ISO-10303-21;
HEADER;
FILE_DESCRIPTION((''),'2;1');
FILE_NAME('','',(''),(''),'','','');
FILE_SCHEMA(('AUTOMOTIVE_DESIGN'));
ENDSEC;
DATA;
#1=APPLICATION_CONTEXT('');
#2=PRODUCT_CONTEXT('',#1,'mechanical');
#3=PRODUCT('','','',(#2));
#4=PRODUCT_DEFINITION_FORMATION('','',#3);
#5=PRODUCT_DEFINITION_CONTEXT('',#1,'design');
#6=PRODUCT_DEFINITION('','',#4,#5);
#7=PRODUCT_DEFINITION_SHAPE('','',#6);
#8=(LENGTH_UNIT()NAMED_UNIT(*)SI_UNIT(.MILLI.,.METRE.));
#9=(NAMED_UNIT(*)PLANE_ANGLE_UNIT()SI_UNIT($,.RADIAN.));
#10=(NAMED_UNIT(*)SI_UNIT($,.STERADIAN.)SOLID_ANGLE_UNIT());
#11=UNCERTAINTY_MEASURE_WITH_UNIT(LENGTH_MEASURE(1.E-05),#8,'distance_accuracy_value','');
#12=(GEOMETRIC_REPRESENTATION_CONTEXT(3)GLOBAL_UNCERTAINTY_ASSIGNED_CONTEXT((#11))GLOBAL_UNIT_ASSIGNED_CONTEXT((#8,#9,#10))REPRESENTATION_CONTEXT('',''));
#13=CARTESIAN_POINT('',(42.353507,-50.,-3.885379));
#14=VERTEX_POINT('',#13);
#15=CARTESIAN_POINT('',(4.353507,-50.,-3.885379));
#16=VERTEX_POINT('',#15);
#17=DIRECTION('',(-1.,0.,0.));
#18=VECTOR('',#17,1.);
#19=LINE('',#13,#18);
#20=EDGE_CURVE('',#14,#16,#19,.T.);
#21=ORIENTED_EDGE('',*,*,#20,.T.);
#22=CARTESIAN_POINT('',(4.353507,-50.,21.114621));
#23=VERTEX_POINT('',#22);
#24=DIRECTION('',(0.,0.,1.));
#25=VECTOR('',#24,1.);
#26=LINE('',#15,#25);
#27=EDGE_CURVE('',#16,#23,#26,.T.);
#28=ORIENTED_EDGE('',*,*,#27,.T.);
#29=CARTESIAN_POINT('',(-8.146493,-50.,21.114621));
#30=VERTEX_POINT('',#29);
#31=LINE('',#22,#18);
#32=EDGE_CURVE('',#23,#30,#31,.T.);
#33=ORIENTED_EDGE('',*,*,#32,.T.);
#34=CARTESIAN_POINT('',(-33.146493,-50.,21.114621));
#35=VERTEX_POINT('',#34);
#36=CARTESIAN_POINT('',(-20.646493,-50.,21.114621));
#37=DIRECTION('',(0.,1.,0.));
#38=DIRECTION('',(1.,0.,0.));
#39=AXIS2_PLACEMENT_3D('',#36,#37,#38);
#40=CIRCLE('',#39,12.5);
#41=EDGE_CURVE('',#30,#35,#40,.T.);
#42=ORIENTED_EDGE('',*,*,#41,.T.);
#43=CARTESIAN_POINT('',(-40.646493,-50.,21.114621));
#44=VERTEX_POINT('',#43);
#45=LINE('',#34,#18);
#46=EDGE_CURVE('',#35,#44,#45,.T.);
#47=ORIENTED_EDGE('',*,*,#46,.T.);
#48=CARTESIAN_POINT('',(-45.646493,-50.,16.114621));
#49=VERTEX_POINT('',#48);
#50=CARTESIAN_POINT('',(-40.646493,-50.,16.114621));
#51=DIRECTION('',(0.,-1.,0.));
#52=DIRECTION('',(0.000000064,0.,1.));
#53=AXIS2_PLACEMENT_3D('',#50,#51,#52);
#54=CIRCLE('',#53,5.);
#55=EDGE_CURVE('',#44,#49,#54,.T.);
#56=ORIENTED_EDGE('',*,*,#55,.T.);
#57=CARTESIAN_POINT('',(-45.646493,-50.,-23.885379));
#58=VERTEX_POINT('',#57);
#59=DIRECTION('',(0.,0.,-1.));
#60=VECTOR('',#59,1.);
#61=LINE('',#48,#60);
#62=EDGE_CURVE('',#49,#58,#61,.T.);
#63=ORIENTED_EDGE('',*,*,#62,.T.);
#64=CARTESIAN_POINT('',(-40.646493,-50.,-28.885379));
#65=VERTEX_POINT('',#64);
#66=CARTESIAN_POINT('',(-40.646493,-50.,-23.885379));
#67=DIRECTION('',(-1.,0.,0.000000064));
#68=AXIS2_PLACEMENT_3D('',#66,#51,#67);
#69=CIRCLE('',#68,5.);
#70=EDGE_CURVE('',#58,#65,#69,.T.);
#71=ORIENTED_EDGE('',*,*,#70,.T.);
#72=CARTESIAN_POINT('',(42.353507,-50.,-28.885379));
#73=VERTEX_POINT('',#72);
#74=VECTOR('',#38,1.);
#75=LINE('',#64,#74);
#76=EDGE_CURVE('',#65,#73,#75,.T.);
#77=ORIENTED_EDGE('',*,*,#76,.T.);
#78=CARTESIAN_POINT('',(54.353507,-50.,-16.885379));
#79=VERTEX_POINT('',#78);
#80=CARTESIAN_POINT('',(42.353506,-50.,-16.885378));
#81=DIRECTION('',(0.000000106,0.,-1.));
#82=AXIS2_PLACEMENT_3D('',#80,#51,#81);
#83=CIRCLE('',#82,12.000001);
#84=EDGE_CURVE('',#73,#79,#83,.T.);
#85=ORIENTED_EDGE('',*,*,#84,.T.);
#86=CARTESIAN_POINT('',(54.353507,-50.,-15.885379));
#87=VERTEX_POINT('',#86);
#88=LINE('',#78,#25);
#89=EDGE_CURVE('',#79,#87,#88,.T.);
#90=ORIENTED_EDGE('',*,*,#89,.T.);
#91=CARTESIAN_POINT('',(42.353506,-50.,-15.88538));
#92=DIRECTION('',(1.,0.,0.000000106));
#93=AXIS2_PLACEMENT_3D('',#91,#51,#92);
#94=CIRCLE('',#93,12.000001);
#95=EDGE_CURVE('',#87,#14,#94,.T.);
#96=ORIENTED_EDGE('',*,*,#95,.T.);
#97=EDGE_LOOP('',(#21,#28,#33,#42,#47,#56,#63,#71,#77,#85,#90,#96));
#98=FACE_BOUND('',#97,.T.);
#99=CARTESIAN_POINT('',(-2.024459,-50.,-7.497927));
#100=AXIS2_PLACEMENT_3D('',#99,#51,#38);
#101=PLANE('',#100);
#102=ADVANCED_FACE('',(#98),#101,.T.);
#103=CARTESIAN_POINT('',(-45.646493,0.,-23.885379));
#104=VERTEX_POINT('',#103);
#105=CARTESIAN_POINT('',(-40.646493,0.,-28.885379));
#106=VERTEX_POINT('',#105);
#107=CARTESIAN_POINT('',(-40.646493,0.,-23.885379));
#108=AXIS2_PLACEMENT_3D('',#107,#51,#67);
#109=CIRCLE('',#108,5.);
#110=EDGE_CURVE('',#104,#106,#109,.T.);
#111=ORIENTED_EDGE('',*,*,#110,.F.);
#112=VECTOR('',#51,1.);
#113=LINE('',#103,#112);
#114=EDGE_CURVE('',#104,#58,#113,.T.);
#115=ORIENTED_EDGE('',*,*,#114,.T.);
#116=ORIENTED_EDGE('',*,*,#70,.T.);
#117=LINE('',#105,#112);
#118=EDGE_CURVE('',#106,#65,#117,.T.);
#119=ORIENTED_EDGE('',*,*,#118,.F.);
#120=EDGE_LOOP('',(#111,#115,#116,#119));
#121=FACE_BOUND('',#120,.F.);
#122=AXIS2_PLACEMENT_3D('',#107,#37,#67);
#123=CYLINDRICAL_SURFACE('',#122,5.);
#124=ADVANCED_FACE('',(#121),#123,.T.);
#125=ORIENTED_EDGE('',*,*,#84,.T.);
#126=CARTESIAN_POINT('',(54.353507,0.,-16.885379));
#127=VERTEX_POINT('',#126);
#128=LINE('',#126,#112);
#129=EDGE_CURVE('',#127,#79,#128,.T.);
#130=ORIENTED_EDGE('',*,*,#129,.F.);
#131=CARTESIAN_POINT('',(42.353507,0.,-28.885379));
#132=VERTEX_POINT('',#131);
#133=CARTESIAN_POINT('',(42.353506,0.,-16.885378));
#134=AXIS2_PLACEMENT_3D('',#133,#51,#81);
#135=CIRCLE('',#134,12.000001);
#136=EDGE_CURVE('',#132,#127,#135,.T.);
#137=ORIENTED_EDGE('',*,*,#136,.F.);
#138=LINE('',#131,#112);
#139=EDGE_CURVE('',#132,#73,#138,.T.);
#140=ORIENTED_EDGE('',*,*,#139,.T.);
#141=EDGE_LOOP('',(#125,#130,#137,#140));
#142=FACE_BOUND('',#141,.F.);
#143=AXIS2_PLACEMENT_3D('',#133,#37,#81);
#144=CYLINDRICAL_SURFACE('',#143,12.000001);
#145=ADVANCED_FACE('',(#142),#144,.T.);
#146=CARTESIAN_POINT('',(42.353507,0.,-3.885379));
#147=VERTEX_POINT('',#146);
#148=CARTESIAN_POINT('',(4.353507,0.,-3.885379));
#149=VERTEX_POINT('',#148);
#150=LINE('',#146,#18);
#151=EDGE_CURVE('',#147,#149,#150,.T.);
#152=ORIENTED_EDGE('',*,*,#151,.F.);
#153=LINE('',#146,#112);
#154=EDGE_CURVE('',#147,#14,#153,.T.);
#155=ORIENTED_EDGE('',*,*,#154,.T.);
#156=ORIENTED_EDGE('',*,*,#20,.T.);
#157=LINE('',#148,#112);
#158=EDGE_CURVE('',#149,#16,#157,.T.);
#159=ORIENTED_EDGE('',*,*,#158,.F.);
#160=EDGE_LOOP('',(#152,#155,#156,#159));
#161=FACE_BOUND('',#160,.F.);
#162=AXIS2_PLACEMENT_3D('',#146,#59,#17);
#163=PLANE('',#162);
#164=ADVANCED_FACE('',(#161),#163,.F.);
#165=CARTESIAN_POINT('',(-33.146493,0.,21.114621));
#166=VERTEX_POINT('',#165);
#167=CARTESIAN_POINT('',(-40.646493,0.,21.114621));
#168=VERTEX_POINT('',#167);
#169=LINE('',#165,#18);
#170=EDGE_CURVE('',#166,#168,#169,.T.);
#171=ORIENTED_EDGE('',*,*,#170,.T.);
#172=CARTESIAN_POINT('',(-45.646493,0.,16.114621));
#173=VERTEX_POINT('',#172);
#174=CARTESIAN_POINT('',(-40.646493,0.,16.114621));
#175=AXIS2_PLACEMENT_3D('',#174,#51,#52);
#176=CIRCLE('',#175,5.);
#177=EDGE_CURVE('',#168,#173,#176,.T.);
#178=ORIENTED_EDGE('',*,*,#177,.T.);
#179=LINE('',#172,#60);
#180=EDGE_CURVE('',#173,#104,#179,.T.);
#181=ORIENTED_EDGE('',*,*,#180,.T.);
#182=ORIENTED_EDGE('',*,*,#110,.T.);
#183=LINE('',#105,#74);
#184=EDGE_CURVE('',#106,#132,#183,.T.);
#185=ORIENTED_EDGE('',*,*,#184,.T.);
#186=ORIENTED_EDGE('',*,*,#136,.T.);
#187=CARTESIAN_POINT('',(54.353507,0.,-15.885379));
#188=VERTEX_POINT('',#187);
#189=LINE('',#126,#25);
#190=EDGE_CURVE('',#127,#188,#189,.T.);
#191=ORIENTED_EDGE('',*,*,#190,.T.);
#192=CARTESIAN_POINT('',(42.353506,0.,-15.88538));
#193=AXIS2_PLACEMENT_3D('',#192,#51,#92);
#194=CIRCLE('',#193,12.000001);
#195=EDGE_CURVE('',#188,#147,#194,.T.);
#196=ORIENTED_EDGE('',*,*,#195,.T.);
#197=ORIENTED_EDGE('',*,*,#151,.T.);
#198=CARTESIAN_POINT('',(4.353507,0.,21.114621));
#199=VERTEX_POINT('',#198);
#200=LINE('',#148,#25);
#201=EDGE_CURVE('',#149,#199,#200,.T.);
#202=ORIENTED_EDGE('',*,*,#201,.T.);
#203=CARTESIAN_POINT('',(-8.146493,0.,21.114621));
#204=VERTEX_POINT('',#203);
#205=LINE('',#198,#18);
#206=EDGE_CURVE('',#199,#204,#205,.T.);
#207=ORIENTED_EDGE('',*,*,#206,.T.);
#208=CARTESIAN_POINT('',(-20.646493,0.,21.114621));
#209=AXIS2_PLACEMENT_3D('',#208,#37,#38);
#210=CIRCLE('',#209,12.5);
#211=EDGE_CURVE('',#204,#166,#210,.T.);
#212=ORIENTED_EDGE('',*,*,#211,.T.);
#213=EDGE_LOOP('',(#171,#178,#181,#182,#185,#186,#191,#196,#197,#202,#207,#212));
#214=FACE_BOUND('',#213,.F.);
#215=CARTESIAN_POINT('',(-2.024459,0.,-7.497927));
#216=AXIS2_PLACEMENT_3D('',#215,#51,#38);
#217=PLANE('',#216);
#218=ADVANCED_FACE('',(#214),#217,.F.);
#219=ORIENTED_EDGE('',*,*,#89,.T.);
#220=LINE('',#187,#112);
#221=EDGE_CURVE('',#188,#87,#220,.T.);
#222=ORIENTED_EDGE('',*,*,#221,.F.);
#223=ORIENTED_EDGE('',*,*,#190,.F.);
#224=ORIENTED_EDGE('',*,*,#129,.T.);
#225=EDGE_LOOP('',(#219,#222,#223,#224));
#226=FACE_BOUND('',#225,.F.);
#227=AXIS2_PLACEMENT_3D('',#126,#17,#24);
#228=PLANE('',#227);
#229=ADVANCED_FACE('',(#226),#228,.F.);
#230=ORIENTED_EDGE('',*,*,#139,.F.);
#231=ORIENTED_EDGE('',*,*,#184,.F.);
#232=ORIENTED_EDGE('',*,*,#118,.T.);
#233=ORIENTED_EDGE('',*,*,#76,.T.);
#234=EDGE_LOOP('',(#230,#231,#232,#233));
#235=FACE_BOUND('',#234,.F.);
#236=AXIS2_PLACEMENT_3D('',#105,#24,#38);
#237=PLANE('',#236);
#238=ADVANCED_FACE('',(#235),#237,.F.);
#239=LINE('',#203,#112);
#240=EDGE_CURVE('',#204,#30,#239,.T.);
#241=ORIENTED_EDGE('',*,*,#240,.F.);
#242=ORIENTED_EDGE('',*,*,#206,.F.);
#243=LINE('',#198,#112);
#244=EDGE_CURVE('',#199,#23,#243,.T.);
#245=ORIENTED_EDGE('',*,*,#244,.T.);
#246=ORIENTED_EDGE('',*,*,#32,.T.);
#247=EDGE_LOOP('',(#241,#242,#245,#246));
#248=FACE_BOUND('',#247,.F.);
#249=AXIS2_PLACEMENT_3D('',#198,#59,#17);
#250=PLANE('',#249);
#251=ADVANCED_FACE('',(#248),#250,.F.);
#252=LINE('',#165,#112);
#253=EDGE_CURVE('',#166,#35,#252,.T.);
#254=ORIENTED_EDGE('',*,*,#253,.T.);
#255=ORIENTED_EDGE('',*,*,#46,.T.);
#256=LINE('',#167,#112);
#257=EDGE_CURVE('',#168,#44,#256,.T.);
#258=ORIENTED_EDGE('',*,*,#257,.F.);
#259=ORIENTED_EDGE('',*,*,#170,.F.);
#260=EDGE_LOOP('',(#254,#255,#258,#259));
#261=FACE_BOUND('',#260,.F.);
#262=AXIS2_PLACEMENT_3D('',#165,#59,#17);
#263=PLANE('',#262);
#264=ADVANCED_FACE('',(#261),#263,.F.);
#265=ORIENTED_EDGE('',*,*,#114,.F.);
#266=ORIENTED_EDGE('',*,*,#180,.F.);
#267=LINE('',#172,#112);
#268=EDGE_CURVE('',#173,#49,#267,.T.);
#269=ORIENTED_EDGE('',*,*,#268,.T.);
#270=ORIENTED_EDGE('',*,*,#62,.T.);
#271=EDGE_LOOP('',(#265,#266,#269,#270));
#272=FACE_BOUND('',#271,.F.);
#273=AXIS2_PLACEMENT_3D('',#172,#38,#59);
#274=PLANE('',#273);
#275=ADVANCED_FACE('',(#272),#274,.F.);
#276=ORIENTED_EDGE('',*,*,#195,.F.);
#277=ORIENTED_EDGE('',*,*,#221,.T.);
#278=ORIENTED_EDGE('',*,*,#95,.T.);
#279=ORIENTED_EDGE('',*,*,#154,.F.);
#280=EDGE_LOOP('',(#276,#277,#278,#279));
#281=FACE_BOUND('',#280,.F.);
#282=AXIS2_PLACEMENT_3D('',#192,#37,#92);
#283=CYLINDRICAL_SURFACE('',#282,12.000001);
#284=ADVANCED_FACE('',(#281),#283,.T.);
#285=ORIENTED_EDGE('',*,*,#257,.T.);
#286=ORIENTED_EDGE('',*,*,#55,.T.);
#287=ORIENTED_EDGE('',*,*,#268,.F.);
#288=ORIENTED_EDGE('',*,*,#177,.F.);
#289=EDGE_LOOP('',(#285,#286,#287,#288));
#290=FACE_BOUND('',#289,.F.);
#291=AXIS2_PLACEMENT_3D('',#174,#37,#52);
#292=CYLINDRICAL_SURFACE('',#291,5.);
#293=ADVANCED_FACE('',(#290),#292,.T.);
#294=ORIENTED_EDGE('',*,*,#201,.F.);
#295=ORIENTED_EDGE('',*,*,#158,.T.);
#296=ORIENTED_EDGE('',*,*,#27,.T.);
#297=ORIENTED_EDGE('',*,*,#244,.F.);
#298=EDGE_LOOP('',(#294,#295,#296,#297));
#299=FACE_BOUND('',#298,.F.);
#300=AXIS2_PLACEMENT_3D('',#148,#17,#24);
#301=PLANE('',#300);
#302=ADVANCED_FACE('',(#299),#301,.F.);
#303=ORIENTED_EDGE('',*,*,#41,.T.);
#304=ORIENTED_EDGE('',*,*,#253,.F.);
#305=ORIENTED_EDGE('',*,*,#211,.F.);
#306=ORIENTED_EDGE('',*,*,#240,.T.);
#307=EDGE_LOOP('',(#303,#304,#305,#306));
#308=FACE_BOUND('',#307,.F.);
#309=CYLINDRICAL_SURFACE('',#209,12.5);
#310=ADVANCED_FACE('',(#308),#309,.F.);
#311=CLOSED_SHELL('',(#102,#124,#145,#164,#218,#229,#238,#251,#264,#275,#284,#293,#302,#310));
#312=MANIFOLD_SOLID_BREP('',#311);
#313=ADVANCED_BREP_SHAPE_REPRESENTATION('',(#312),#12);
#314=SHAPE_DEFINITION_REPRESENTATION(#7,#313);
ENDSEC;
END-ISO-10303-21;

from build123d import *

# Parameters (mm, degrees)
F1_DEPTH = 50


with BuildPart() as f1:
    # F0 (on Front) → F1 (new body)
    with BuildSketch(Plane.XZ):
        with BuildLine():
            ThreePointArc((-40.646493, 21.114621), (-44.182027, 19.650155), (-45.646493, 16.114621))
            Line((-45.646493, 16.114621), (-45.646493, -23.885379))
            ThreePointArc((-45.646493, -23.885379), (-44.182027, -27.420913), (-40.646493, -28.885379))
            Line((-40.646493, -28.885379), (42.353507, -28.885379))
            ThreePointArc((42.353507, -28.885379), (50.838788, -25.37066), (54.353507, -16.885379))
            Line((54.353507, -16.885379), (54.353507, -15.885379))
            ThreePointArc((54.353507, -15.885379), (50.838788, -7.400098), (42.353507, -3.885379))
            Line((42.353507, -3.885379), (4.353507, -3.885379))
            Line((4.353507, -3.885379), (4.353507, 21.114621))
            Line((4.353507, 21.114621), (-8.146493, 21.114621))
            ThreePointArc((-8.146493, 21.114621), (-20.646493, 8.614621), (-33.146493, 21.114621))
            Line((-33.146493, 21.114621), (-40.646493, 21.114621))
        make_face()
    extrude(amount=F1_DEPTH)


solid = f1.part
